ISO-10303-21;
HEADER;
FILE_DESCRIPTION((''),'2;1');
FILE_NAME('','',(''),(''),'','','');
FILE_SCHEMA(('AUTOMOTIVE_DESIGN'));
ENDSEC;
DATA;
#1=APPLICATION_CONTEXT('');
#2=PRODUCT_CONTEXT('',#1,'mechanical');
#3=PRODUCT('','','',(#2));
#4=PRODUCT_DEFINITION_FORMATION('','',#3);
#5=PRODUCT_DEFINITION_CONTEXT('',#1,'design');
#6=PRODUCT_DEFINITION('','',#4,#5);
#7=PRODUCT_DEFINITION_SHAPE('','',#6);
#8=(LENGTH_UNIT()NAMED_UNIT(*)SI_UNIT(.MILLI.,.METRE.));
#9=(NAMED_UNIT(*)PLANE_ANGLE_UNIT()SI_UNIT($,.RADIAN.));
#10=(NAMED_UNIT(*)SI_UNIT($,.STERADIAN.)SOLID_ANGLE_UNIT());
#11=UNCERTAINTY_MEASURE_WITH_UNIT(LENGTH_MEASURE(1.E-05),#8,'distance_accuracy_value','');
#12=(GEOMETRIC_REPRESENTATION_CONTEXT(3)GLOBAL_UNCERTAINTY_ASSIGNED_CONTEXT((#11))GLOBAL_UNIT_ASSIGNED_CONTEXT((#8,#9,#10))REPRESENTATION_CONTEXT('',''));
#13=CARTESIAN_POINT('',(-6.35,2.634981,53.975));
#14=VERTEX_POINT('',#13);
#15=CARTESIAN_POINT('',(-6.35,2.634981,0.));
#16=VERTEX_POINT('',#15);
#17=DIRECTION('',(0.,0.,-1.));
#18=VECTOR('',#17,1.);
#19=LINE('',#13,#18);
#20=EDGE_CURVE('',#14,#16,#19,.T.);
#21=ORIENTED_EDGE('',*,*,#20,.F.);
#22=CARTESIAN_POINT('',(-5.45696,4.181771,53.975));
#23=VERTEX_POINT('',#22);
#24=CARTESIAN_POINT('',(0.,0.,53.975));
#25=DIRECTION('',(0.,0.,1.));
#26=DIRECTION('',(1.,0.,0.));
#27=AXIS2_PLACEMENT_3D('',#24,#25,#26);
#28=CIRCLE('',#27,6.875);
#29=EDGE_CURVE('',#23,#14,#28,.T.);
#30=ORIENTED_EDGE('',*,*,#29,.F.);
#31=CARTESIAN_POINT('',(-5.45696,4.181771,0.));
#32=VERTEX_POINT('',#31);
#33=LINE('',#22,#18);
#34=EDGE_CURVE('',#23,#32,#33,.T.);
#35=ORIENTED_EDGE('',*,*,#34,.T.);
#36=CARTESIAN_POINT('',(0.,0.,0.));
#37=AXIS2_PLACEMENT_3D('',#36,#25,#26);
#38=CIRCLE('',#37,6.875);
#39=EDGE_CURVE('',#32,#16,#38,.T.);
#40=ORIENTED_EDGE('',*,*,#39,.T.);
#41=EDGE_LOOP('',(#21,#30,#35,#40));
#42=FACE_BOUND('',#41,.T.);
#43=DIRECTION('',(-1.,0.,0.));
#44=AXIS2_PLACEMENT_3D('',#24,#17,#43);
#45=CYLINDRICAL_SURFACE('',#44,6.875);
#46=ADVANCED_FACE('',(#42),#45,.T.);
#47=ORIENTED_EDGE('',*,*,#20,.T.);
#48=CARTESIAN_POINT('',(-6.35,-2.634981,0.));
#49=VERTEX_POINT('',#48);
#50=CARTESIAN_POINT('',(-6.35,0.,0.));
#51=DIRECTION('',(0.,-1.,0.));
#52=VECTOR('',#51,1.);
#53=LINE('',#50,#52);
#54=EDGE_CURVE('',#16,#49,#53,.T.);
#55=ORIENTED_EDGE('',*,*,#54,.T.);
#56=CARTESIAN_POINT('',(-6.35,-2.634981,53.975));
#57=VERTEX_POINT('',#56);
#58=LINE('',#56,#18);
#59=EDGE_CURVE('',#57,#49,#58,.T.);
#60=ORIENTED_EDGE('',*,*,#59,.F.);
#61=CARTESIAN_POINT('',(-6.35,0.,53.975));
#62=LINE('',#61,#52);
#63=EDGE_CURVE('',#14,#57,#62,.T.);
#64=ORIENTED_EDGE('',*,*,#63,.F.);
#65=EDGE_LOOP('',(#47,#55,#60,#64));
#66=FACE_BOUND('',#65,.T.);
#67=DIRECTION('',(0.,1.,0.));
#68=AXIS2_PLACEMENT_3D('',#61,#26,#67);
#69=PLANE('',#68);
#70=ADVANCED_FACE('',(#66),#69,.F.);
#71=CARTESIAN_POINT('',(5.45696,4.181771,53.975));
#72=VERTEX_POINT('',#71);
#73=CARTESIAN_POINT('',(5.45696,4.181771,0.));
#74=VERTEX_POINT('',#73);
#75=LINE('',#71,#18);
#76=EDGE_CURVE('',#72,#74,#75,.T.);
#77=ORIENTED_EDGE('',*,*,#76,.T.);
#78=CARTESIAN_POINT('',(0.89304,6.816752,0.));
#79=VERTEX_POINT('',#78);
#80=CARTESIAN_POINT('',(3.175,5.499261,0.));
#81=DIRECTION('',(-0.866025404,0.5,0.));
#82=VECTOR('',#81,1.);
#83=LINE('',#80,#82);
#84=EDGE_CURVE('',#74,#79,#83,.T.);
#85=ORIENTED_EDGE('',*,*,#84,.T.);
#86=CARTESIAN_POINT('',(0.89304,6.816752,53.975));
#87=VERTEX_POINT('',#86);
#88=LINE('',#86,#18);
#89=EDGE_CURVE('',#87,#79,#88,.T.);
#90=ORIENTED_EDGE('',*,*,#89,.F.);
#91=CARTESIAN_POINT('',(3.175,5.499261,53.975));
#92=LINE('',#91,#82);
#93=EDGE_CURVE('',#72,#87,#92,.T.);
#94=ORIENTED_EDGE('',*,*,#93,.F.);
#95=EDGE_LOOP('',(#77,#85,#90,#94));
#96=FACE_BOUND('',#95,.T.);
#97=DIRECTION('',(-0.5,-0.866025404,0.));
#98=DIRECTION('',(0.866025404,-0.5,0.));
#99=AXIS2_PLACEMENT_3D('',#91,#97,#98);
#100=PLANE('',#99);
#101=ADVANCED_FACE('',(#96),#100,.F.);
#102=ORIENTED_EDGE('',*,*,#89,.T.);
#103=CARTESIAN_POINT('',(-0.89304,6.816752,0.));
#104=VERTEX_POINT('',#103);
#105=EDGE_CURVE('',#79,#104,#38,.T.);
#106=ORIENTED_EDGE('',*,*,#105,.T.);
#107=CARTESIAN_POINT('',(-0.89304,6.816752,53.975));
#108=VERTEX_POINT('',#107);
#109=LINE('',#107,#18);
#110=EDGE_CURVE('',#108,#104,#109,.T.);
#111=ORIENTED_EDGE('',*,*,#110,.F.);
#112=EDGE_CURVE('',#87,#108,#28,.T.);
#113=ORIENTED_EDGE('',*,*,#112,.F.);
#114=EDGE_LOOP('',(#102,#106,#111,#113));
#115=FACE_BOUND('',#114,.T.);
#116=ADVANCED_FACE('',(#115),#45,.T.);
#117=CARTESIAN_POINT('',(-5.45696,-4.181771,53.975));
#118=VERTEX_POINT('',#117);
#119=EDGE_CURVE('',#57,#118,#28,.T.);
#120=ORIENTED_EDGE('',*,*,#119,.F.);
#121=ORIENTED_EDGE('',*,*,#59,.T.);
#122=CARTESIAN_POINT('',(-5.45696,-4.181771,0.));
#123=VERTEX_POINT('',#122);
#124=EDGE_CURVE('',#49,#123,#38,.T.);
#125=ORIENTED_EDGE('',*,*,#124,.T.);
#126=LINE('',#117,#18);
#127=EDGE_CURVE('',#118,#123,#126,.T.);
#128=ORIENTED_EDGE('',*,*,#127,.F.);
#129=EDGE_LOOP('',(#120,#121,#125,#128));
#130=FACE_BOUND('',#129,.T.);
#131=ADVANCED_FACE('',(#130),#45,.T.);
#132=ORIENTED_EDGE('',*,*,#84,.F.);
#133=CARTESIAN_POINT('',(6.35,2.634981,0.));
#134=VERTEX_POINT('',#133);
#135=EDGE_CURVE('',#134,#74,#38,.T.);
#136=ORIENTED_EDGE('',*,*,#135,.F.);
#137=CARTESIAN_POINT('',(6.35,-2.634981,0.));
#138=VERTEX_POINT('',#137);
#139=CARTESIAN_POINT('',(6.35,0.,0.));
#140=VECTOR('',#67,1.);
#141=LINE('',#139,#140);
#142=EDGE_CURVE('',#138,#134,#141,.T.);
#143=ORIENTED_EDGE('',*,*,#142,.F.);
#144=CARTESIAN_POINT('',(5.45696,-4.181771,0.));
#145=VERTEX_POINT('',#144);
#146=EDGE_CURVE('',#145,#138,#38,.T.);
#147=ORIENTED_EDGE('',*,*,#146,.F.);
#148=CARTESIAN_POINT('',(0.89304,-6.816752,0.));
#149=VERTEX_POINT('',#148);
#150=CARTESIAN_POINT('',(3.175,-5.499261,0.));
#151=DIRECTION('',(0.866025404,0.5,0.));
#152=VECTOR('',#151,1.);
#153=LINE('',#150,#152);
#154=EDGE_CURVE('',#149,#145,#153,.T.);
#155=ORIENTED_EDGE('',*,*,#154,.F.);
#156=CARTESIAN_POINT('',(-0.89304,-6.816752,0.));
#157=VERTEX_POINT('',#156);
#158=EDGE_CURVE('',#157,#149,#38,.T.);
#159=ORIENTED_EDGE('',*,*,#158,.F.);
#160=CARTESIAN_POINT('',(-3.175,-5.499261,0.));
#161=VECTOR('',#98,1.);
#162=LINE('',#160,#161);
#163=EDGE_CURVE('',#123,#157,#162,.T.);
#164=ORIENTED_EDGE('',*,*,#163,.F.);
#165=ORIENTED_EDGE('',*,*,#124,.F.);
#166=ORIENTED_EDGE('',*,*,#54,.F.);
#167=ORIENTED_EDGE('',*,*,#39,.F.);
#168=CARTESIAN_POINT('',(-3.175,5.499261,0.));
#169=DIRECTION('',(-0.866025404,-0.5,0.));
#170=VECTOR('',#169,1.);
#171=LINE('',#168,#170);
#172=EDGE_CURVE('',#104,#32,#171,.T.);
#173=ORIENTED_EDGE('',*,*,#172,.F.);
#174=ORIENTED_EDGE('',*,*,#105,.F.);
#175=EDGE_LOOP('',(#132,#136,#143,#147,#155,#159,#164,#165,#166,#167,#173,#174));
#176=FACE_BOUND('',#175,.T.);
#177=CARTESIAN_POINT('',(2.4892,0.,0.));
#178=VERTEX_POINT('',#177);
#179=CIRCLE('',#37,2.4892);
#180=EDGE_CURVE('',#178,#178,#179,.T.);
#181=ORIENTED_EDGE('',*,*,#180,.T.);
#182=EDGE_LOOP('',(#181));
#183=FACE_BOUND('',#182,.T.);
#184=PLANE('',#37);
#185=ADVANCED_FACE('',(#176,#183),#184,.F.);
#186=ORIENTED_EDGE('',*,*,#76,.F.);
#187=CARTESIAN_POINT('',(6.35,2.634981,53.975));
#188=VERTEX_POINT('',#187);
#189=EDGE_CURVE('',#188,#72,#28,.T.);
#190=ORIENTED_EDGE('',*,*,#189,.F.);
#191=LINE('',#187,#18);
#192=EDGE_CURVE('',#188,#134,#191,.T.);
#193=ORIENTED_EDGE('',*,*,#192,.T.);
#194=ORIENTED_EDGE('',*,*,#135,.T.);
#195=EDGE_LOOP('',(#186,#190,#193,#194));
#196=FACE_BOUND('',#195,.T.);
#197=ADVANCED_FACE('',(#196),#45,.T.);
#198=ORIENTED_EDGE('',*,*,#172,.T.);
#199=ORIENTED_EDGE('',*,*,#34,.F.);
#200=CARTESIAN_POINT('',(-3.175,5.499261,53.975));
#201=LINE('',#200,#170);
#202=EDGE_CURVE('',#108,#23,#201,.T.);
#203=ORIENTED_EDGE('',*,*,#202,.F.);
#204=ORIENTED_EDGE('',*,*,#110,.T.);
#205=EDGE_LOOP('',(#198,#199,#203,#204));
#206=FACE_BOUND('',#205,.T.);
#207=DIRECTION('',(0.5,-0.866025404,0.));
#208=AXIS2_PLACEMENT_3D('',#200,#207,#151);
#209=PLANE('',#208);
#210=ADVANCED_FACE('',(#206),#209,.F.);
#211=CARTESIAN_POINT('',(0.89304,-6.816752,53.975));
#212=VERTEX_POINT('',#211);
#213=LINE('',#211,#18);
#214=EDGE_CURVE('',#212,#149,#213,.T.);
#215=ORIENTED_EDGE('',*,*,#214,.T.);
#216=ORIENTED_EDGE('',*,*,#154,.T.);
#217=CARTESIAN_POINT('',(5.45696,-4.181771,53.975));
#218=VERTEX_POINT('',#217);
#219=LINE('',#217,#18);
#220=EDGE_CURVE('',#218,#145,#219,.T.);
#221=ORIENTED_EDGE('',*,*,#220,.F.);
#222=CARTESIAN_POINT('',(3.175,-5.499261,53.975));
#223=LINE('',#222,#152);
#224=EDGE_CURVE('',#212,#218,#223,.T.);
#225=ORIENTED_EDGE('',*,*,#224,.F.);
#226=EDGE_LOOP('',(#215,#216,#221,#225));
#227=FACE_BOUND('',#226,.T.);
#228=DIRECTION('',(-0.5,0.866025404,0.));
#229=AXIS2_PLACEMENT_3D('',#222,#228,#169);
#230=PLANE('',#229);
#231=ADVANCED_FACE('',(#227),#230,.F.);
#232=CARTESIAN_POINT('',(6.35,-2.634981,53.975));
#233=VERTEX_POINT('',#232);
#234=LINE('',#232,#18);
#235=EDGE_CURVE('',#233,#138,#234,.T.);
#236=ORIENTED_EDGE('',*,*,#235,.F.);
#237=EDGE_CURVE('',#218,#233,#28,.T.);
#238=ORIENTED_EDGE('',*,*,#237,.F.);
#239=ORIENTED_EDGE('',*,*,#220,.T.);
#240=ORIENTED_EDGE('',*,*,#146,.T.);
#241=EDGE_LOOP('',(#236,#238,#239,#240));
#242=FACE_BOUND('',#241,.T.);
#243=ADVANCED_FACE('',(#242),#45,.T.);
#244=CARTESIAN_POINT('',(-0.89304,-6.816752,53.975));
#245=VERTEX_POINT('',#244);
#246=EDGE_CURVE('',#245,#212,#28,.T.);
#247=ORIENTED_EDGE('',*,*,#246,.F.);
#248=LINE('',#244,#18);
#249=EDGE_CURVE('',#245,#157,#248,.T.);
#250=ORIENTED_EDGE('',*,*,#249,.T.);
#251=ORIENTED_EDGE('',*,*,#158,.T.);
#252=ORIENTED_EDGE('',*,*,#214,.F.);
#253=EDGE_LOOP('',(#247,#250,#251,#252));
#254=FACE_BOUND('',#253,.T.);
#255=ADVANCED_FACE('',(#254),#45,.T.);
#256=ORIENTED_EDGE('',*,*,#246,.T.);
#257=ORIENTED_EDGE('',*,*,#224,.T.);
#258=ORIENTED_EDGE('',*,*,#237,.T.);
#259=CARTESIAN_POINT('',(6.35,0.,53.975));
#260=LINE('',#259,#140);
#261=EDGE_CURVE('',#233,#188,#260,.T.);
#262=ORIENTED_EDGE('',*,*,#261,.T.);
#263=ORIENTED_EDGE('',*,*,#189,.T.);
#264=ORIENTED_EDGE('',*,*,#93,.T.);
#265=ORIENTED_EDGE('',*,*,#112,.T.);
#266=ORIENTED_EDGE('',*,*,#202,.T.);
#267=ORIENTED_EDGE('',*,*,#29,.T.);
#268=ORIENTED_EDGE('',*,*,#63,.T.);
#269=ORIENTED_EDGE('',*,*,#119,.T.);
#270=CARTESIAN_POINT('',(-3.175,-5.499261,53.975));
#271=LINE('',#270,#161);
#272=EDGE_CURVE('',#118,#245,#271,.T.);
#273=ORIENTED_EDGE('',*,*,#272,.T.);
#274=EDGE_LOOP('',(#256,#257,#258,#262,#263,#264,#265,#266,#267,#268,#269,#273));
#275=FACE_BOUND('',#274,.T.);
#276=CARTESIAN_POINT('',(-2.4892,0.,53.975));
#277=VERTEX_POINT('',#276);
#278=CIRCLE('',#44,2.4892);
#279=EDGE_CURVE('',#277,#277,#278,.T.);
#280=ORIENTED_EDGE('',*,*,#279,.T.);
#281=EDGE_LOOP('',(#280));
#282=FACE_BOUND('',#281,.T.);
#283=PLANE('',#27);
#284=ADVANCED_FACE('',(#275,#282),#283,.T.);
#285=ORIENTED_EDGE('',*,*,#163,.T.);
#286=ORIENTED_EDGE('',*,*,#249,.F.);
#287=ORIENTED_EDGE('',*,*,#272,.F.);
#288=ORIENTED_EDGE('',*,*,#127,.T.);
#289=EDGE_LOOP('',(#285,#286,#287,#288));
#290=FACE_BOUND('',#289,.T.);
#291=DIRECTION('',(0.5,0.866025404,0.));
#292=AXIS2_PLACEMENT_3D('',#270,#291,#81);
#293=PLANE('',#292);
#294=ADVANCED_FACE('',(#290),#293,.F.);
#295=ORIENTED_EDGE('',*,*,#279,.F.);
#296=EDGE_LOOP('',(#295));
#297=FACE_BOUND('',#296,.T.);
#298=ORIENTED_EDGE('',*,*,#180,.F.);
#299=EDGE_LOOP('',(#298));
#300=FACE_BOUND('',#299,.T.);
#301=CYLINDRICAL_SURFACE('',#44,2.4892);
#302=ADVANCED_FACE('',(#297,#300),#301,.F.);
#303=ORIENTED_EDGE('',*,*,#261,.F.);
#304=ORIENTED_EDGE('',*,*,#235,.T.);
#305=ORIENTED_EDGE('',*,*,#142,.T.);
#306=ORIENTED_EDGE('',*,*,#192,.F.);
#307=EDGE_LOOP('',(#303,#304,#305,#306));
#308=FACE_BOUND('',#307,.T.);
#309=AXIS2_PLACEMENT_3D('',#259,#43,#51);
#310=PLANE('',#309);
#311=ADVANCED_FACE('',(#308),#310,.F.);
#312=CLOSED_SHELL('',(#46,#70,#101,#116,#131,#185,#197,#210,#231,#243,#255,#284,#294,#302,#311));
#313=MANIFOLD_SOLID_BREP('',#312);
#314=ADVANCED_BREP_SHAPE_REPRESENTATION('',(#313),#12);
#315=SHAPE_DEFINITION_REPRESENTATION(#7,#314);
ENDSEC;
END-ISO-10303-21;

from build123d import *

# Parameters (mm, degrees)
BOSS_EXTRUDE1_DEPTH     = 53.975
CUT_EXTRUDE1_DEPTH      = 55.780368286
CUT_EXTRUDE1_DEPTH_BACK = 55.780368286
SKETCH2_R               = 2.4892


with BuildPart() as part:
    # Sketch1 → Boss-Extrude1 (new body)
    with BuildSketch(Plane.XY):
        with BuildLine():
            ThreePointArc((6.35, 2.634980936), (5.953924622, 3.437499983), (5.456960429, 4.181770846))
            Line((5.456960429, 4.181770846), (0.893039571, 6.816751782))
            ThreePointArc((0.893039571, 6.816751782), (0, 6.874999966), (-0.893039571, 6.816751782))
            Line((-0.893039571, 6.816751782), (-5.456960429, 4.181770846))
            ThreePointArc((-5.456960429, 4.181770846), (-5.953924622, 3.437499983), (-6.35, 2.634980936))
            Line((-6.35, 2.634980936), (-6.35, -2.634980936))
            ThreePointArc((-6.35, -2.634980936), (-5.953924622, -3.437499983), (-5.456960429, -4.181770846))
            Line((-5.456960429, -4.181770846), (-0.893039571, -6.816751782))
            ThreePointArc((-0.893039571, -6.816751782), (0, -6.874999966), (0.893039571, -6.816751782))
            Line((0.893039571, -6.816751782), (5.456960429, -4.181770846))
            ThreePointArc((5.456960429, -4.181770846), (5.953924622, -3.437499983), (6.35, -2.634980936))
            Line((6.35, -2.634980936), (6.35, 2.634980936))
        make_face()
    extrude(amount=BOSS_EXTRUDE1_DEPTH)

    # Sketch2 → Cut-Extrude1 (cut, two sides: drawn at the far end of the back side and taken through both)
    with BuildSketch(Plane(origin=(0, 0, 0), x_dir=(-1, 0, 0), z_dir=(0, 0, -1)).offset(-CUT_EXTRUDE1_DEPTH_BACK)):
        Circle(SKETCH2_R)
    extrude(amount=CUT_EXTRUDE1_DEPTH + CUT_EXTRUDE1_DEPTH_BACK, mode=Mode.SUBTRACT)


solid = part.part
